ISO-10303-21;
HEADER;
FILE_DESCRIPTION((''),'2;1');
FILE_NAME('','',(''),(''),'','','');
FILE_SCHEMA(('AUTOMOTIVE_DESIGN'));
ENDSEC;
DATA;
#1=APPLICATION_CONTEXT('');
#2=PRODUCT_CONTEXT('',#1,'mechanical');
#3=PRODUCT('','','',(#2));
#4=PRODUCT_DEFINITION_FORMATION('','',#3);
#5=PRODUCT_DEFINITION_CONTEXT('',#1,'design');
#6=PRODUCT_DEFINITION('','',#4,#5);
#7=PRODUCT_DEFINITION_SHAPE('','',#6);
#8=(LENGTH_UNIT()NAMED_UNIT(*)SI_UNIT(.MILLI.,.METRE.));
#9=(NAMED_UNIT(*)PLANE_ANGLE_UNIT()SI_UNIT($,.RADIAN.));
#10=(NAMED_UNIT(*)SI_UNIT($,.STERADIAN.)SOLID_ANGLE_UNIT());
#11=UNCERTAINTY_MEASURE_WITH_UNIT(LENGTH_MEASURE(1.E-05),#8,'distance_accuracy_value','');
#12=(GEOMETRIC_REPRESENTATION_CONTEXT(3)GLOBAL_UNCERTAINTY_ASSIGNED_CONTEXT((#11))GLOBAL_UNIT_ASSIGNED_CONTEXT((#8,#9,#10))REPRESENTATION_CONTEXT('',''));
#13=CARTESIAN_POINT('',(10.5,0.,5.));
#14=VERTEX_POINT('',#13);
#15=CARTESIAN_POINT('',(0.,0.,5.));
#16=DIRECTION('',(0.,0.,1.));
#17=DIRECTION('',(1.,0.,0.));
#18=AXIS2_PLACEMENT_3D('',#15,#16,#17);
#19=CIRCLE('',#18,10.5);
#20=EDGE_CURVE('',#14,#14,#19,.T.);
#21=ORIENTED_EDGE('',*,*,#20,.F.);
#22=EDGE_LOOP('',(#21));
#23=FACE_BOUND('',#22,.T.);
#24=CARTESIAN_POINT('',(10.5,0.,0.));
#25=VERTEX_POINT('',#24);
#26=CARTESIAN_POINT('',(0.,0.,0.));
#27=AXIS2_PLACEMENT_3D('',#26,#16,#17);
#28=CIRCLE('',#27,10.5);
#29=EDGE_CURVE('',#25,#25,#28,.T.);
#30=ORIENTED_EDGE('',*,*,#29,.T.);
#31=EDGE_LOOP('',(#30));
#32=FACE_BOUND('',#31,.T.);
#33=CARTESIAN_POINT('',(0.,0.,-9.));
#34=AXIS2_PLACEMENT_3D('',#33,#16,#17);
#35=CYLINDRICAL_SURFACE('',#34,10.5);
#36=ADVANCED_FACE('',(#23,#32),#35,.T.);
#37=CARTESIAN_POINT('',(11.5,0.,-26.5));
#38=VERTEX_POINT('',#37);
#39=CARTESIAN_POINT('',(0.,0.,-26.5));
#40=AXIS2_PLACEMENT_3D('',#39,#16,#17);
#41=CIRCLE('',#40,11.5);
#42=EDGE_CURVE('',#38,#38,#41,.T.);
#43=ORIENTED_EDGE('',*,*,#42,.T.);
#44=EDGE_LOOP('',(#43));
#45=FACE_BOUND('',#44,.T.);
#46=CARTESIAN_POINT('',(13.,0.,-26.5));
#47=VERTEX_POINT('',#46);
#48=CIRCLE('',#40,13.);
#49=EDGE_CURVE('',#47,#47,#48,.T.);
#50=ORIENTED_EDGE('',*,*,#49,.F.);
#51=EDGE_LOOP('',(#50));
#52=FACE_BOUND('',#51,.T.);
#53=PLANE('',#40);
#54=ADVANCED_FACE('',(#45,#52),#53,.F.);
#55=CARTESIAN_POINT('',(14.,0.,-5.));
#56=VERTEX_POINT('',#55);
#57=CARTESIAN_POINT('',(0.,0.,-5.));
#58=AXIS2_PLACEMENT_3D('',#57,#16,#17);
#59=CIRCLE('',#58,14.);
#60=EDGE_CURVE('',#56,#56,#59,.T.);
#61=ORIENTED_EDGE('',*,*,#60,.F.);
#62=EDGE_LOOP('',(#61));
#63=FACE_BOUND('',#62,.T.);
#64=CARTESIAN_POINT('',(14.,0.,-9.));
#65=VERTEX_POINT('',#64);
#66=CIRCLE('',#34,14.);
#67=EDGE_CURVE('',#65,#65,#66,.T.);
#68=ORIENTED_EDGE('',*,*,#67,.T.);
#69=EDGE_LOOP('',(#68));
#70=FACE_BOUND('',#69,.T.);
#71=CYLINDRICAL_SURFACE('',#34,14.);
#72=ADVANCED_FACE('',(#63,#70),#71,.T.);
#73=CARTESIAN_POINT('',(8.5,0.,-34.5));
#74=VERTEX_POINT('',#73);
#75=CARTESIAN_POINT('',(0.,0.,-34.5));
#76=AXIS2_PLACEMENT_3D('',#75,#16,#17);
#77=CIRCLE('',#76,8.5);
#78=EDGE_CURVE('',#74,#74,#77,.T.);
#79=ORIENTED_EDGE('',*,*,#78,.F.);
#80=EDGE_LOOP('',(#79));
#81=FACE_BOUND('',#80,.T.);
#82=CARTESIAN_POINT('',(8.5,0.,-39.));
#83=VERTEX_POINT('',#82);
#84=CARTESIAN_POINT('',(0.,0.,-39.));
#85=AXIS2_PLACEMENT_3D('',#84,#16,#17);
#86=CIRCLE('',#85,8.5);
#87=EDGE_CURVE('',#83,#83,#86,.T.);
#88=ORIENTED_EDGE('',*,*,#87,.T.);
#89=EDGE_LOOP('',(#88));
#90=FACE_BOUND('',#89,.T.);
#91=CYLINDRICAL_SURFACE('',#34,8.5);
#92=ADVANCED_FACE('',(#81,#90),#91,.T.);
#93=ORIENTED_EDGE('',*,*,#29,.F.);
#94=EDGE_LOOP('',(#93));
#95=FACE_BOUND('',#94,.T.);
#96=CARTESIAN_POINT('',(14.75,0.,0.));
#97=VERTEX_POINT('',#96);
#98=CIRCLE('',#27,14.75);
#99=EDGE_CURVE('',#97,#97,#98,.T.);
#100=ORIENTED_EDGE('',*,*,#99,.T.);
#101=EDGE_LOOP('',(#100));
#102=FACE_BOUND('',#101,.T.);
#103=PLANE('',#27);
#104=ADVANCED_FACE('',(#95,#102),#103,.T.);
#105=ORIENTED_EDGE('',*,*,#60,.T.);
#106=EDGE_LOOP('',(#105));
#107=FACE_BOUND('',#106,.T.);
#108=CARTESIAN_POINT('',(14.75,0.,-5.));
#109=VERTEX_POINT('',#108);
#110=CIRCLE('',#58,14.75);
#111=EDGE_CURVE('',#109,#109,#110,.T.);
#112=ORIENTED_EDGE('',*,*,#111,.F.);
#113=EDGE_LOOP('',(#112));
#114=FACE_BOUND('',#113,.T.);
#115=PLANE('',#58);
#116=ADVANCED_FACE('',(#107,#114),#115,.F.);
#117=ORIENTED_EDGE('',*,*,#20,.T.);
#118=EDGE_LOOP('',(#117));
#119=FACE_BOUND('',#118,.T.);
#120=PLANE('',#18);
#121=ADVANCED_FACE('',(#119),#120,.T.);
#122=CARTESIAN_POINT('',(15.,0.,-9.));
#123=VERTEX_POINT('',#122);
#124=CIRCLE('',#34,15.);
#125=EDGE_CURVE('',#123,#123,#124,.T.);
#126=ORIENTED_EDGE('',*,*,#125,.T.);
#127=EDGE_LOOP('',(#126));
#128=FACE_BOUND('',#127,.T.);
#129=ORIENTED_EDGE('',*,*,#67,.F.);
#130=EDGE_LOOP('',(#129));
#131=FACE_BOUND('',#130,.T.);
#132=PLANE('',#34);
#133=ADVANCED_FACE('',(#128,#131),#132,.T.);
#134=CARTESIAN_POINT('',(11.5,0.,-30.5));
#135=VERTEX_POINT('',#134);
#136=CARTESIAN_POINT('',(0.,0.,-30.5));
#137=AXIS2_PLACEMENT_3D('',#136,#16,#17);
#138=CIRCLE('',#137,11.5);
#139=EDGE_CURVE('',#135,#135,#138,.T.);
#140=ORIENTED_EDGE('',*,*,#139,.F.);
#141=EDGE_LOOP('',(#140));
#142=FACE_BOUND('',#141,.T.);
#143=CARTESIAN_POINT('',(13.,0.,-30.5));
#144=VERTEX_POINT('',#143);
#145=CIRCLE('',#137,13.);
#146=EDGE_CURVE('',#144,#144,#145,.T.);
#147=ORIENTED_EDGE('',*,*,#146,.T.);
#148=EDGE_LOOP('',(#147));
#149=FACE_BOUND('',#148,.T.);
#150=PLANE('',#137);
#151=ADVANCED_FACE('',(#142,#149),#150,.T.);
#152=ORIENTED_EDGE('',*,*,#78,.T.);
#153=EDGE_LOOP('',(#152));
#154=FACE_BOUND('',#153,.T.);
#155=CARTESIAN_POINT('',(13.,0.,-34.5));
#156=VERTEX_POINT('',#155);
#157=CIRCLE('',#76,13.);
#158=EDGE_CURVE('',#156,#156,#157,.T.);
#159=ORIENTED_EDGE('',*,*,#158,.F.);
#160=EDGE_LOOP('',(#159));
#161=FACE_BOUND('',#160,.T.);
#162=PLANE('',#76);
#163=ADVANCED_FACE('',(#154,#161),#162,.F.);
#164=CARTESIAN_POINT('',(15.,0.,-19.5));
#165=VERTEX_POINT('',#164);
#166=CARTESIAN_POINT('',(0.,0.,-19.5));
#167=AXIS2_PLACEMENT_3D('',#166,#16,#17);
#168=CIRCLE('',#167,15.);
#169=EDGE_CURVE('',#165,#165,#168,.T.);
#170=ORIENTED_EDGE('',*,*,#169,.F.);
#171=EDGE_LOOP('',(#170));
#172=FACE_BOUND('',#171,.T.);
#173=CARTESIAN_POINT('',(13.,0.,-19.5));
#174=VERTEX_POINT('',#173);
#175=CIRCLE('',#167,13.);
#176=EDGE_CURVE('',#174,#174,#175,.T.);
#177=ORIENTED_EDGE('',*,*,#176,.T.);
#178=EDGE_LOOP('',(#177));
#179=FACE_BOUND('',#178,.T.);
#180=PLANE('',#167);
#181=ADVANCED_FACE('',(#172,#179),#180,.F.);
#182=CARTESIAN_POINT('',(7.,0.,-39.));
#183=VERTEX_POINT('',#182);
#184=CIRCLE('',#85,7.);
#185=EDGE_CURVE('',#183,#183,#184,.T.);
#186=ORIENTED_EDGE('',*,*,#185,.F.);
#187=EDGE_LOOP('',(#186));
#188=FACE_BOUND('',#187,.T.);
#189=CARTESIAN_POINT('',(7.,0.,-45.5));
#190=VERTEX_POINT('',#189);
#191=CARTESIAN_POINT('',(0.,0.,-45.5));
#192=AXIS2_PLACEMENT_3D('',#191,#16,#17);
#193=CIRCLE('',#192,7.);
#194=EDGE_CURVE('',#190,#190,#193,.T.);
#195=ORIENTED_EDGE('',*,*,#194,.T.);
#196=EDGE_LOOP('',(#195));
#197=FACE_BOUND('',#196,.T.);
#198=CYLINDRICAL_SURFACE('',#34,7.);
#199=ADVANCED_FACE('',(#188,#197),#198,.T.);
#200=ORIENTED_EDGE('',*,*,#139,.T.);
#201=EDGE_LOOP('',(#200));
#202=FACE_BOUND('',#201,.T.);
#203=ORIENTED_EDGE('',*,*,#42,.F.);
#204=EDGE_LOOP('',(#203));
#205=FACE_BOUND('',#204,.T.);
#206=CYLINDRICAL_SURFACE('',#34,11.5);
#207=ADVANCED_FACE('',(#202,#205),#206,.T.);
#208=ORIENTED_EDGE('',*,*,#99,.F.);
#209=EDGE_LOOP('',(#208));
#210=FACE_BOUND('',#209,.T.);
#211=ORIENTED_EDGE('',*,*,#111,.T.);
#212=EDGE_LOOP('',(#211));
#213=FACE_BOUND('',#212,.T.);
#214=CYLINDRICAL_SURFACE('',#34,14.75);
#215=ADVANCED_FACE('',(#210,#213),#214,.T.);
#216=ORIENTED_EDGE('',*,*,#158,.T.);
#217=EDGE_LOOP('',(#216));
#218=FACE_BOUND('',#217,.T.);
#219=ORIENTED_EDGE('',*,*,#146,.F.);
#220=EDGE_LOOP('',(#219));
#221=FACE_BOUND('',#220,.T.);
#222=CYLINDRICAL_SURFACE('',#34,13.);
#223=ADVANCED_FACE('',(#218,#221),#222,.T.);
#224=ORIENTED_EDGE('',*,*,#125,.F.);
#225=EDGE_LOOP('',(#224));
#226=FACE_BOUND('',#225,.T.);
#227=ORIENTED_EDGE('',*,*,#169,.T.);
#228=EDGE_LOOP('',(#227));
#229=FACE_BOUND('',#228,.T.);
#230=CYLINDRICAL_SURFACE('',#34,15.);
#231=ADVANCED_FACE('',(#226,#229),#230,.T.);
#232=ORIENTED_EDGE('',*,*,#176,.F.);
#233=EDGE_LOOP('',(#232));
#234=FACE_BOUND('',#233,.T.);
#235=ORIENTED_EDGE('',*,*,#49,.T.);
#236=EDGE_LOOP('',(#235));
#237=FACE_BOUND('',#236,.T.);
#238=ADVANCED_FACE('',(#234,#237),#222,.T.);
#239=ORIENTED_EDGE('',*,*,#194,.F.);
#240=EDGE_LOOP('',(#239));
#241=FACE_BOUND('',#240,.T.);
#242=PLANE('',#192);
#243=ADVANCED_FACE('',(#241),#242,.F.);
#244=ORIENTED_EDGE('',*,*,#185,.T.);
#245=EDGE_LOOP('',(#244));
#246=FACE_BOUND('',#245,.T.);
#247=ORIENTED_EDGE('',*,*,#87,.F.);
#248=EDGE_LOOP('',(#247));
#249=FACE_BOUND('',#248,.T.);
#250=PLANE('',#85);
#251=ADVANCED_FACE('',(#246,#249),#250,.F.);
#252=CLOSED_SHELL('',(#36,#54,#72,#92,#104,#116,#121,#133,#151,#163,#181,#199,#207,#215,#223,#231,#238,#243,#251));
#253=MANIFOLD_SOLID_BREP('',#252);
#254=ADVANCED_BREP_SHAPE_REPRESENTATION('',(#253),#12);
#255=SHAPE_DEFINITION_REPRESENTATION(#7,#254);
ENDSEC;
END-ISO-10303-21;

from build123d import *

# Parameters (mm, degrees)
SKETCH1_W   = 5
SKETCH1_H   = 10.5
SKETCH1_H_2 = 14.75
SKETCH1_W_2 = 4
SKETCH1_H_3 = 14
SKETCH1_H_4 = 11.5
SKETCH1_W_3 = 6.5
SKETCH1_H_5 = 7


with BuildPart() as part:
    # Sketch1 → Revolve1 (revolve)
    with BuildSketch(Plane(origin=(0, 0, 0), x_dir=(0, 0, -1), z_dir=(1, 0, 0)), mode=Mode.PRIVATE) as revolve1_sk:
        with Locations((-2.5, 5.25)):
            Rectangle(SKETCH1_W, SKETCH1_H)
        with Locations((2.5, 7.375)):
            Rectangle(SKETCH1_W, SKETCH1_H_2)
        with Locations((7, 7)):
            Rectangle(SKETCH1_W_2, SKETCH1_H_3)
        Polygon((9, 14), (9, 0), (19.5, 0), (19.5, 13), (19.5, 15), (9, 15), align=None)
        Polygon((19.5, 13), (19.5, 0), (26.5, 0), (26.5, 11.5), (26.5, 13), align=None)
        with Locations((28.5, 5.75)):
            Rectangle(SKETCH1_W_2, SKETCH1_H_4)
        Polygon((30.5, 11.5), (30.5, 0), (34.5, 0), (34.5, 8.5), (34.5, 13), (30.5, 13), align=None)
        Polygon((34.5, 8.5), (34.5, 0), (39, 0), (39, 7), (39, 8.5), align=None)
        with Locations((42.25, 3.5)):
            Rectangle(SKETCH1_W_3, SKETCH1_H_5)
    revolve(revolve1_sk.sketch.rotate(Axis((0, 0, -9), (0, 0, -1)), 90), axis=Axis((0, 0, -9), (0, 0, -1)))


solid = part.part
